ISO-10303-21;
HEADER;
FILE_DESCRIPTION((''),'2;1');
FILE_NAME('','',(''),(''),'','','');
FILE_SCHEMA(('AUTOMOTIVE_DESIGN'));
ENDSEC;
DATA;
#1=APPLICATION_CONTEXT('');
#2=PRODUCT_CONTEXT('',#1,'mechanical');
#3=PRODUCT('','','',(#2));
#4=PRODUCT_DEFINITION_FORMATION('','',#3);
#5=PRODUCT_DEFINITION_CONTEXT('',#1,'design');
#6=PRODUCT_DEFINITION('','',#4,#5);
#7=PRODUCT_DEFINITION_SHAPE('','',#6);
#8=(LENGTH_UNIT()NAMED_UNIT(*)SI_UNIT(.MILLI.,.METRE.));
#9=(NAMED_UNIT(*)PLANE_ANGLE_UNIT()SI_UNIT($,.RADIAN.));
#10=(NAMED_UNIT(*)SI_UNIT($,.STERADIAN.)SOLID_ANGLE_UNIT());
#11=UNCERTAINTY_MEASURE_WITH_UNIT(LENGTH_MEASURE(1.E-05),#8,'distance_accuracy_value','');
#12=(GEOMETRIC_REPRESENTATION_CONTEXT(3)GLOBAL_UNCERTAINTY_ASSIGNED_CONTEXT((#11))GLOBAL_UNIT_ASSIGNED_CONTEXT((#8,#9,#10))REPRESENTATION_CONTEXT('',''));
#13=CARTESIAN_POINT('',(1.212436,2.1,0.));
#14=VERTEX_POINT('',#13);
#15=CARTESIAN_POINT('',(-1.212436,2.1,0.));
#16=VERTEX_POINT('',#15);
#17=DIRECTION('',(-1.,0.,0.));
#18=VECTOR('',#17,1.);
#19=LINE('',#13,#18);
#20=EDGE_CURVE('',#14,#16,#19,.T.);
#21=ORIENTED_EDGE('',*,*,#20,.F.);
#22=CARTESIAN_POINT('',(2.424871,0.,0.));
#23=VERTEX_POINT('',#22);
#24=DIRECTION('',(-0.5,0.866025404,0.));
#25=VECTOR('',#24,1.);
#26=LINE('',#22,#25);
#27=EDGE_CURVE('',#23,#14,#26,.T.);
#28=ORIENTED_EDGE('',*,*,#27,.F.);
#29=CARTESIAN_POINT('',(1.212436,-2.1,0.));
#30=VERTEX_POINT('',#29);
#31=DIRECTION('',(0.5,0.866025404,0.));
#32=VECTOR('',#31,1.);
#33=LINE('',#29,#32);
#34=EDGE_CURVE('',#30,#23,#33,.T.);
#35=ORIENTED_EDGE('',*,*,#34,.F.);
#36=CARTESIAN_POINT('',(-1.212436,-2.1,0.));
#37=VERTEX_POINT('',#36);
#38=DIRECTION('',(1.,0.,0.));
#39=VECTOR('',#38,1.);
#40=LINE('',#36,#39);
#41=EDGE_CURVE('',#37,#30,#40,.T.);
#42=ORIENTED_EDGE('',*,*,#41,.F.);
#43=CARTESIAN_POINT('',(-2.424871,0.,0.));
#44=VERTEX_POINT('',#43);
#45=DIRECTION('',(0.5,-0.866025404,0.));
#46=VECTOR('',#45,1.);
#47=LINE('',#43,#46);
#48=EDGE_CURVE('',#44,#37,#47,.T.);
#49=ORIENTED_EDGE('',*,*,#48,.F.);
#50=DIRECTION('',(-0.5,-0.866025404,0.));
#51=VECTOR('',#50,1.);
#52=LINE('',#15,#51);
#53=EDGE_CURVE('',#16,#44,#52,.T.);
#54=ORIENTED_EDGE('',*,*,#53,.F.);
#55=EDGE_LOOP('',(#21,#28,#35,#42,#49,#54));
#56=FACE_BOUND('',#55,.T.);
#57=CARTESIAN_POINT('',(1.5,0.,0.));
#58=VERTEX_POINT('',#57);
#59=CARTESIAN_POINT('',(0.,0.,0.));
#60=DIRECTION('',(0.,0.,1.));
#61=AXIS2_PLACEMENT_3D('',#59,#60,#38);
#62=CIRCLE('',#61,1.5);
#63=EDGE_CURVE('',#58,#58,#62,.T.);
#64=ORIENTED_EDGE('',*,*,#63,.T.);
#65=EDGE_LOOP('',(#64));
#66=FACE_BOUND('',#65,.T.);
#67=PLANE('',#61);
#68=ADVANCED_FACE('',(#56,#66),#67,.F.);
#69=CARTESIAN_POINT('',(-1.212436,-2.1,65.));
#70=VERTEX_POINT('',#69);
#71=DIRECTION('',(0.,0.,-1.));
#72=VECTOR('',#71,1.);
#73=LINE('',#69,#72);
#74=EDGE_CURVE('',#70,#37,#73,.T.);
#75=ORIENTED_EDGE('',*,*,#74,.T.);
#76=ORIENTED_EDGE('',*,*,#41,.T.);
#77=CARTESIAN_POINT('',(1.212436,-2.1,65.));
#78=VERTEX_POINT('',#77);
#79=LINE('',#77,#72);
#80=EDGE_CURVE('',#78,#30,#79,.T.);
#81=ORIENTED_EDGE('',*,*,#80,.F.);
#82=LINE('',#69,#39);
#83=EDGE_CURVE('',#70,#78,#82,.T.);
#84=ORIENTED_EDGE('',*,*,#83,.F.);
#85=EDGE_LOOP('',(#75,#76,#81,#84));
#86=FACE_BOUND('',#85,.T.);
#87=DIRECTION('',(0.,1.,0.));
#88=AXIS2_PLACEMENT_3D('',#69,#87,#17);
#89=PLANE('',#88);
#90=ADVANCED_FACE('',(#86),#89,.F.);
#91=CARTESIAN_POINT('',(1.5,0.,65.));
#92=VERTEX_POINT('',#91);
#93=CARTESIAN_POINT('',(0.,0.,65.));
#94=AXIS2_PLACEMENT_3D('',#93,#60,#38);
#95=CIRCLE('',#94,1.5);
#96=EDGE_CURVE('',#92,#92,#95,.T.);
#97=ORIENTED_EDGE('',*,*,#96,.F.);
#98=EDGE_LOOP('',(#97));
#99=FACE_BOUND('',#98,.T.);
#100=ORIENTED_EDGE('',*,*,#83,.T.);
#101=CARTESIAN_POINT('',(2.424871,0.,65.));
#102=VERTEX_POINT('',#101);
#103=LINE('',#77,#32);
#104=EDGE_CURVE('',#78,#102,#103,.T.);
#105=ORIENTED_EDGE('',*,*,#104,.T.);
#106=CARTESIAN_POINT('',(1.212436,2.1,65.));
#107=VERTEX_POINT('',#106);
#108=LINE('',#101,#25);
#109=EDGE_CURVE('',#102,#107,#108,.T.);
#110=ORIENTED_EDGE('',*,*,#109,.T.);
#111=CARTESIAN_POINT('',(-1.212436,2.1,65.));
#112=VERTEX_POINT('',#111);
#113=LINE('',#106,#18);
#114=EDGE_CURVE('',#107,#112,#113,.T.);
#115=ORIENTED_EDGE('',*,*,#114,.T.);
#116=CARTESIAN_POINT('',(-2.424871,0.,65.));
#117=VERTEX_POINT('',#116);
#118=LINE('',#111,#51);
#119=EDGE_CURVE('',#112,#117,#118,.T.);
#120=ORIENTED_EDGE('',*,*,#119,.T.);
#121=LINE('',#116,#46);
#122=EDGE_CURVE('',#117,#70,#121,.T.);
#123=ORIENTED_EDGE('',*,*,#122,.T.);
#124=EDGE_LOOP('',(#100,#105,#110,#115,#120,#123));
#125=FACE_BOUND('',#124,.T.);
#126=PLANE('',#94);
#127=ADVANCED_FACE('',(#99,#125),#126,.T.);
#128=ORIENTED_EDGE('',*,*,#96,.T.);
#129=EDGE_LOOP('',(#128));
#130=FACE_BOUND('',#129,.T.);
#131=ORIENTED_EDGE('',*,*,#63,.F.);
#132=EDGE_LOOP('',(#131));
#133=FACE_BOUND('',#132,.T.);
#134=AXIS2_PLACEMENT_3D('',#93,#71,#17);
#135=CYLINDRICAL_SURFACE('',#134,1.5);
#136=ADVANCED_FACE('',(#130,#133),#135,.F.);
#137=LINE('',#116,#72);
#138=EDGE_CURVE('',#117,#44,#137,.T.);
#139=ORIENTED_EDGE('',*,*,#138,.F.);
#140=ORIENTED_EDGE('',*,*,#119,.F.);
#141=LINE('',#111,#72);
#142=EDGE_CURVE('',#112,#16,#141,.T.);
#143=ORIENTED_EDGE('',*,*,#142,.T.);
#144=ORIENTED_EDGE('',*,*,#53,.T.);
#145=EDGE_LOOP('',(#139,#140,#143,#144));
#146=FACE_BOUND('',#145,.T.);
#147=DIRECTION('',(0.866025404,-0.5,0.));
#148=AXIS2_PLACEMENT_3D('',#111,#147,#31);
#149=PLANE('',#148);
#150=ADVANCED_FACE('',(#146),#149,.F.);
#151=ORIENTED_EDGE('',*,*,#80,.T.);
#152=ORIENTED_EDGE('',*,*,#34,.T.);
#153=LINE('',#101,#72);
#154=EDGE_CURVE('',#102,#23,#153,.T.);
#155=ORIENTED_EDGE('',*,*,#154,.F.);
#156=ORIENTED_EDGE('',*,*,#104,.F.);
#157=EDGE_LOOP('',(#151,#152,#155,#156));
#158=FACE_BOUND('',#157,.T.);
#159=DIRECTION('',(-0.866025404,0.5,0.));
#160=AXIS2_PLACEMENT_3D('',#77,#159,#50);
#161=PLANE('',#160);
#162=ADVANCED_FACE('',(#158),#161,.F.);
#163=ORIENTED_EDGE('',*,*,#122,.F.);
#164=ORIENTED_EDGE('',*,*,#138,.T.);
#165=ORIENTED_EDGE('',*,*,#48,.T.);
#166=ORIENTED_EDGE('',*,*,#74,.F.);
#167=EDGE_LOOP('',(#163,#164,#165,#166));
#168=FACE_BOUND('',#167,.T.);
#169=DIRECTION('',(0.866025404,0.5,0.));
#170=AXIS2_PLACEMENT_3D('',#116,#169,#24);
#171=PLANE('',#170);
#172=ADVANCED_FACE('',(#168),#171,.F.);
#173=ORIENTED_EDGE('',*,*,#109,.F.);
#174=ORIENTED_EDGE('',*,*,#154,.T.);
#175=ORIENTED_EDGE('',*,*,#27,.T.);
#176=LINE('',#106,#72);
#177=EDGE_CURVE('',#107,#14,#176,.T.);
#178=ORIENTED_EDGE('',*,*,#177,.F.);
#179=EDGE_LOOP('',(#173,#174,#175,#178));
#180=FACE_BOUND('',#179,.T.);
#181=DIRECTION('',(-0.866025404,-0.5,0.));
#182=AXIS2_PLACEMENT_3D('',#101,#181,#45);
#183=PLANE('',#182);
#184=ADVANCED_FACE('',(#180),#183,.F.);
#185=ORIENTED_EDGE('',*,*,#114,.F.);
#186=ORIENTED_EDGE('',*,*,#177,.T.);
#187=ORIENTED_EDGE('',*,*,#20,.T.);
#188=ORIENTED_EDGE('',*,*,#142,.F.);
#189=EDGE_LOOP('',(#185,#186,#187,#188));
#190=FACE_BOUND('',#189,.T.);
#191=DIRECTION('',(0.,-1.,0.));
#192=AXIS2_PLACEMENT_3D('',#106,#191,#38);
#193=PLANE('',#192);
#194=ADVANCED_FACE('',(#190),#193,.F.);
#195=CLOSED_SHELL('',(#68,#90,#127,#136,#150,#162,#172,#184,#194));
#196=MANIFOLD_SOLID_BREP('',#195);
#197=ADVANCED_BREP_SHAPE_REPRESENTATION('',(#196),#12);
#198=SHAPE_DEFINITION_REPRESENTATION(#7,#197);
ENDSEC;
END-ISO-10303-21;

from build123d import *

# Parameters (mm, degrees)
SKETCH_1_R      = 1.5
EXTRUDE_1_DEPTH = 65


with BuildPart() as part:
    # 草图1 → 凸台-拉伸1 (new body)
    with BuildSketch(Plane.XY):
        Polygon((2.424871131, 0), (1.212435565, 2.1), (-1.212435565, 2.1), (-2.424871131, 0), (-1.212435565, -2.1), (1.212435565, -2.1), align=None)
        Circle(SKETCH_1_R, mode=Mode.SUBTRACT)
    extrude(amount=EXTRUDE_1_DEPTH)


solid = part.part
